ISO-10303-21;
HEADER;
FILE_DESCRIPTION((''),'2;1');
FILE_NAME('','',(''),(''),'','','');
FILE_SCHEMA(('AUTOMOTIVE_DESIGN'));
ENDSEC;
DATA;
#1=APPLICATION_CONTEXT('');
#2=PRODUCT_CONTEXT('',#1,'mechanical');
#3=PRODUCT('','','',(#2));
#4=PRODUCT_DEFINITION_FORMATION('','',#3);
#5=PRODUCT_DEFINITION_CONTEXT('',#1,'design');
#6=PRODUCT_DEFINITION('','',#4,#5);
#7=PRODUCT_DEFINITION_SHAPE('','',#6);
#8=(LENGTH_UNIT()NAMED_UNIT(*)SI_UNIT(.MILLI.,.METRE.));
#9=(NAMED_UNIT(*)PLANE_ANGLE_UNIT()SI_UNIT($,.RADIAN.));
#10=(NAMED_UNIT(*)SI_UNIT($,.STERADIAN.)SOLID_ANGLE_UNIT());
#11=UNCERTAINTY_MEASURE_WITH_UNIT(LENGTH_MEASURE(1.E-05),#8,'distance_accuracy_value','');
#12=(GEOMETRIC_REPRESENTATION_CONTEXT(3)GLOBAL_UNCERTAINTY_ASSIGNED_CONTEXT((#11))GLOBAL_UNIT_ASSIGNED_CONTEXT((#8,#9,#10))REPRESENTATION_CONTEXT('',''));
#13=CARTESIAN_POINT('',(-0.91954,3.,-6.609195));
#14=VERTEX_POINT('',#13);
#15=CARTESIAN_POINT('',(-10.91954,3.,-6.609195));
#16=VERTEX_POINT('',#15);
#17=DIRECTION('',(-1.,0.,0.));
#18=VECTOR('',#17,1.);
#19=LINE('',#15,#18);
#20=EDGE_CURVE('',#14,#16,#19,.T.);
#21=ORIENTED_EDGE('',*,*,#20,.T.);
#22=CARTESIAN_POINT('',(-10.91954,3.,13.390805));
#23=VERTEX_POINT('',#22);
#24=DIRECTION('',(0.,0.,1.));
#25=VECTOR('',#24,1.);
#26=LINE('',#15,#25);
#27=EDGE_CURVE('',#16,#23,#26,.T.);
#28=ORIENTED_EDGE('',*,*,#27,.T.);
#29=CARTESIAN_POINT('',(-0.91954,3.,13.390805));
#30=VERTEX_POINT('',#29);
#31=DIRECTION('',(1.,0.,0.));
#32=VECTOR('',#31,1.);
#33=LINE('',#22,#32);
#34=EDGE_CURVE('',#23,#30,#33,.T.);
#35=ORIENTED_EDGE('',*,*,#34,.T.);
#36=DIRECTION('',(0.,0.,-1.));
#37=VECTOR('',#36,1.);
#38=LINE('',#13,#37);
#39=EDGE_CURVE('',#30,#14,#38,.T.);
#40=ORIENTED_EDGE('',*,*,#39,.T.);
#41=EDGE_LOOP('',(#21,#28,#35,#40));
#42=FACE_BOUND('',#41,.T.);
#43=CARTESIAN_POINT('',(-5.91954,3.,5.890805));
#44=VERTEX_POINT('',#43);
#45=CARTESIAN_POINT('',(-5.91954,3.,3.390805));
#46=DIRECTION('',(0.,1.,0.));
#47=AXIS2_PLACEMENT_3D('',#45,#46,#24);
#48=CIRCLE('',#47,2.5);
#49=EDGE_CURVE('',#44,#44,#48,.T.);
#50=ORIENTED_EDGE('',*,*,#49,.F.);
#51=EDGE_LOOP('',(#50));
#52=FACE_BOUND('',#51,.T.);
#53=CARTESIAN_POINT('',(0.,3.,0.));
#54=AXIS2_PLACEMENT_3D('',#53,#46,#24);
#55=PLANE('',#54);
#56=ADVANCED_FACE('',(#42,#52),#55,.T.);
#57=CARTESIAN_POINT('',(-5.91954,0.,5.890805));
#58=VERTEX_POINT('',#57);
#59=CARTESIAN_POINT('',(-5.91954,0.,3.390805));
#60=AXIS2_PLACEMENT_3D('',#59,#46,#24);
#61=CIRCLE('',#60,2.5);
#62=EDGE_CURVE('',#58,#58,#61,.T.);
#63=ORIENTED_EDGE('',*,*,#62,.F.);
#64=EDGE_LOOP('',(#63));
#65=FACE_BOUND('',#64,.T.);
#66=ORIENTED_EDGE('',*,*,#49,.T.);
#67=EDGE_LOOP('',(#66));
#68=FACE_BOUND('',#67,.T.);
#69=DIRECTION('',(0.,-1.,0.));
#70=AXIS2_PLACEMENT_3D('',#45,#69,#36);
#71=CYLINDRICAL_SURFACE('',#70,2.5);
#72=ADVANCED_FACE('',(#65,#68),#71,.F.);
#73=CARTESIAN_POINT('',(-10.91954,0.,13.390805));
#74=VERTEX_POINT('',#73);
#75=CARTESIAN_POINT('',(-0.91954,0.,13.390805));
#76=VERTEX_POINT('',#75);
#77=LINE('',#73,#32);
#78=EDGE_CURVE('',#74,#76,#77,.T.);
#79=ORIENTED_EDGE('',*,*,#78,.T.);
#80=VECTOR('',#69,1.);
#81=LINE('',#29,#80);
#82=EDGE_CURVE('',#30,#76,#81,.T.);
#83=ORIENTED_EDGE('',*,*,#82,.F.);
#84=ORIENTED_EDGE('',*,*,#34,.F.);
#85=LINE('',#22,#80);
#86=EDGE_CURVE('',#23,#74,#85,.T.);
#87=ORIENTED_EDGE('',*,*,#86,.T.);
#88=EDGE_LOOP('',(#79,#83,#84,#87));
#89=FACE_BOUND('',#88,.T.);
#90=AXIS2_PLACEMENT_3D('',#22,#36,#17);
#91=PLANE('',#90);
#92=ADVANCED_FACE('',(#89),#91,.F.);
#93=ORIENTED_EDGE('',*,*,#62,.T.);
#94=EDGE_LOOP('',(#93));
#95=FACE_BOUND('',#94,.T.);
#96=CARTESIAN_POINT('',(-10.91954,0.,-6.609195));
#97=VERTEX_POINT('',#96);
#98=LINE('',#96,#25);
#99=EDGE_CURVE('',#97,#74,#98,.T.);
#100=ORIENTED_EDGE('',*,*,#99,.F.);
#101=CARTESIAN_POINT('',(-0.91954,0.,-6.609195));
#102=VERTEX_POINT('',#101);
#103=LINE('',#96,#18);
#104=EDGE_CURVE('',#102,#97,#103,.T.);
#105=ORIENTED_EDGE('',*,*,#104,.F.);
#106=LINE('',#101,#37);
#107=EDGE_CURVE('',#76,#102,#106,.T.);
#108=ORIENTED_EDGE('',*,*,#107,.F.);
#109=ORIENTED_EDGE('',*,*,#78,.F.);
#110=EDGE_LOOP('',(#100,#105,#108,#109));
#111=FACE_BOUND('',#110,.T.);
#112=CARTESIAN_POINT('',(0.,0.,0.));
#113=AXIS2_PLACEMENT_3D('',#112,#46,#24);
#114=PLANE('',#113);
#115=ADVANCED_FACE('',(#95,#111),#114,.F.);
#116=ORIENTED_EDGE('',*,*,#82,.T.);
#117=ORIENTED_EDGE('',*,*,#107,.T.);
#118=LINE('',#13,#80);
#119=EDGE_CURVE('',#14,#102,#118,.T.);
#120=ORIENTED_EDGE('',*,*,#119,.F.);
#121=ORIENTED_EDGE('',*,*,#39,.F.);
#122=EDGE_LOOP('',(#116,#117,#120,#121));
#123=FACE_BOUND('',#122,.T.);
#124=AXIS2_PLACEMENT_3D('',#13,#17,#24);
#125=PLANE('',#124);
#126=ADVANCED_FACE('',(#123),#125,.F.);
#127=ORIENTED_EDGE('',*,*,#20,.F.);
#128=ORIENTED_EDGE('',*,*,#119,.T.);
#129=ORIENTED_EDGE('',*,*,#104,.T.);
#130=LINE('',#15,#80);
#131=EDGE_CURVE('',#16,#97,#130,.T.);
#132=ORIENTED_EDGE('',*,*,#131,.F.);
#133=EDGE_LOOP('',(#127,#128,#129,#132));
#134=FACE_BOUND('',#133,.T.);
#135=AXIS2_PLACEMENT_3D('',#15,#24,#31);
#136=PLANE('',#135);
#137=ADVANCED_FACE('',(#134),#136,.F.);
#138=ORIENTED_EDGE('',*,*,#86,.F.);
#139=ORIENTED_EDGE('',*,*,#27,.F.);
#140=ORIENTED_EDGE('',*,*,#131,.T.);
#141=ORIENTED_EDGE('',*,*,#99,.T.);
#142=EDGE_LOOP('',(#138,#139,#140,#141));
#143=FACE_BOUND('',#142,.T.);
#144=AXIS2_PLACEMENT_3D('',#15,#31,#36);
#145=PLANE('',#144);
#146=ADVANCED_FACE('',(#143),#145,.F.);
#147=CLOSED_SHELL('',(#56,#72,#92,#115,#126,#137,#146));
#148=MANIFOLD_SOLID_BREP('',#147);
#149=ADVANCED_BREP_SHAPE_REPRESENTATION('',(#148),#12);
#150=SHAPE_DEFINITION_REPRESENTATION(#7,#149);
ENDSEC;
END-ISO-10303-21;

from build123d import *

# Parameters (mm, degrees)
SKETCH_1_W      = 10
SKETCH_1_H      = 20
SKETCH_1_R      = 2.5
EXTRUDE_1_DEPTH = 3


with BuildPart() as part:
    # 草圖1 → 填料-伸長1 (new body)
    with BuildSketch(Plane(origin=(0, 0, 0), x_dir=(1, 0, 0), z_dir=(0, 1, 0))):
        with Locations((-5.91954023, -3.390804598)):
            Rectangle(SKETCH_1_W, SKETCH_1_H)
        with Locations(Location((-5.91954023, -3.390804598, 0), (0, 0, 270))):
            Circle(SKETCH_1_R, mode=Mode.SUBTRACT)
    extrude(amount=EXTRUDE_1_DEPTH)


solid = part.part
